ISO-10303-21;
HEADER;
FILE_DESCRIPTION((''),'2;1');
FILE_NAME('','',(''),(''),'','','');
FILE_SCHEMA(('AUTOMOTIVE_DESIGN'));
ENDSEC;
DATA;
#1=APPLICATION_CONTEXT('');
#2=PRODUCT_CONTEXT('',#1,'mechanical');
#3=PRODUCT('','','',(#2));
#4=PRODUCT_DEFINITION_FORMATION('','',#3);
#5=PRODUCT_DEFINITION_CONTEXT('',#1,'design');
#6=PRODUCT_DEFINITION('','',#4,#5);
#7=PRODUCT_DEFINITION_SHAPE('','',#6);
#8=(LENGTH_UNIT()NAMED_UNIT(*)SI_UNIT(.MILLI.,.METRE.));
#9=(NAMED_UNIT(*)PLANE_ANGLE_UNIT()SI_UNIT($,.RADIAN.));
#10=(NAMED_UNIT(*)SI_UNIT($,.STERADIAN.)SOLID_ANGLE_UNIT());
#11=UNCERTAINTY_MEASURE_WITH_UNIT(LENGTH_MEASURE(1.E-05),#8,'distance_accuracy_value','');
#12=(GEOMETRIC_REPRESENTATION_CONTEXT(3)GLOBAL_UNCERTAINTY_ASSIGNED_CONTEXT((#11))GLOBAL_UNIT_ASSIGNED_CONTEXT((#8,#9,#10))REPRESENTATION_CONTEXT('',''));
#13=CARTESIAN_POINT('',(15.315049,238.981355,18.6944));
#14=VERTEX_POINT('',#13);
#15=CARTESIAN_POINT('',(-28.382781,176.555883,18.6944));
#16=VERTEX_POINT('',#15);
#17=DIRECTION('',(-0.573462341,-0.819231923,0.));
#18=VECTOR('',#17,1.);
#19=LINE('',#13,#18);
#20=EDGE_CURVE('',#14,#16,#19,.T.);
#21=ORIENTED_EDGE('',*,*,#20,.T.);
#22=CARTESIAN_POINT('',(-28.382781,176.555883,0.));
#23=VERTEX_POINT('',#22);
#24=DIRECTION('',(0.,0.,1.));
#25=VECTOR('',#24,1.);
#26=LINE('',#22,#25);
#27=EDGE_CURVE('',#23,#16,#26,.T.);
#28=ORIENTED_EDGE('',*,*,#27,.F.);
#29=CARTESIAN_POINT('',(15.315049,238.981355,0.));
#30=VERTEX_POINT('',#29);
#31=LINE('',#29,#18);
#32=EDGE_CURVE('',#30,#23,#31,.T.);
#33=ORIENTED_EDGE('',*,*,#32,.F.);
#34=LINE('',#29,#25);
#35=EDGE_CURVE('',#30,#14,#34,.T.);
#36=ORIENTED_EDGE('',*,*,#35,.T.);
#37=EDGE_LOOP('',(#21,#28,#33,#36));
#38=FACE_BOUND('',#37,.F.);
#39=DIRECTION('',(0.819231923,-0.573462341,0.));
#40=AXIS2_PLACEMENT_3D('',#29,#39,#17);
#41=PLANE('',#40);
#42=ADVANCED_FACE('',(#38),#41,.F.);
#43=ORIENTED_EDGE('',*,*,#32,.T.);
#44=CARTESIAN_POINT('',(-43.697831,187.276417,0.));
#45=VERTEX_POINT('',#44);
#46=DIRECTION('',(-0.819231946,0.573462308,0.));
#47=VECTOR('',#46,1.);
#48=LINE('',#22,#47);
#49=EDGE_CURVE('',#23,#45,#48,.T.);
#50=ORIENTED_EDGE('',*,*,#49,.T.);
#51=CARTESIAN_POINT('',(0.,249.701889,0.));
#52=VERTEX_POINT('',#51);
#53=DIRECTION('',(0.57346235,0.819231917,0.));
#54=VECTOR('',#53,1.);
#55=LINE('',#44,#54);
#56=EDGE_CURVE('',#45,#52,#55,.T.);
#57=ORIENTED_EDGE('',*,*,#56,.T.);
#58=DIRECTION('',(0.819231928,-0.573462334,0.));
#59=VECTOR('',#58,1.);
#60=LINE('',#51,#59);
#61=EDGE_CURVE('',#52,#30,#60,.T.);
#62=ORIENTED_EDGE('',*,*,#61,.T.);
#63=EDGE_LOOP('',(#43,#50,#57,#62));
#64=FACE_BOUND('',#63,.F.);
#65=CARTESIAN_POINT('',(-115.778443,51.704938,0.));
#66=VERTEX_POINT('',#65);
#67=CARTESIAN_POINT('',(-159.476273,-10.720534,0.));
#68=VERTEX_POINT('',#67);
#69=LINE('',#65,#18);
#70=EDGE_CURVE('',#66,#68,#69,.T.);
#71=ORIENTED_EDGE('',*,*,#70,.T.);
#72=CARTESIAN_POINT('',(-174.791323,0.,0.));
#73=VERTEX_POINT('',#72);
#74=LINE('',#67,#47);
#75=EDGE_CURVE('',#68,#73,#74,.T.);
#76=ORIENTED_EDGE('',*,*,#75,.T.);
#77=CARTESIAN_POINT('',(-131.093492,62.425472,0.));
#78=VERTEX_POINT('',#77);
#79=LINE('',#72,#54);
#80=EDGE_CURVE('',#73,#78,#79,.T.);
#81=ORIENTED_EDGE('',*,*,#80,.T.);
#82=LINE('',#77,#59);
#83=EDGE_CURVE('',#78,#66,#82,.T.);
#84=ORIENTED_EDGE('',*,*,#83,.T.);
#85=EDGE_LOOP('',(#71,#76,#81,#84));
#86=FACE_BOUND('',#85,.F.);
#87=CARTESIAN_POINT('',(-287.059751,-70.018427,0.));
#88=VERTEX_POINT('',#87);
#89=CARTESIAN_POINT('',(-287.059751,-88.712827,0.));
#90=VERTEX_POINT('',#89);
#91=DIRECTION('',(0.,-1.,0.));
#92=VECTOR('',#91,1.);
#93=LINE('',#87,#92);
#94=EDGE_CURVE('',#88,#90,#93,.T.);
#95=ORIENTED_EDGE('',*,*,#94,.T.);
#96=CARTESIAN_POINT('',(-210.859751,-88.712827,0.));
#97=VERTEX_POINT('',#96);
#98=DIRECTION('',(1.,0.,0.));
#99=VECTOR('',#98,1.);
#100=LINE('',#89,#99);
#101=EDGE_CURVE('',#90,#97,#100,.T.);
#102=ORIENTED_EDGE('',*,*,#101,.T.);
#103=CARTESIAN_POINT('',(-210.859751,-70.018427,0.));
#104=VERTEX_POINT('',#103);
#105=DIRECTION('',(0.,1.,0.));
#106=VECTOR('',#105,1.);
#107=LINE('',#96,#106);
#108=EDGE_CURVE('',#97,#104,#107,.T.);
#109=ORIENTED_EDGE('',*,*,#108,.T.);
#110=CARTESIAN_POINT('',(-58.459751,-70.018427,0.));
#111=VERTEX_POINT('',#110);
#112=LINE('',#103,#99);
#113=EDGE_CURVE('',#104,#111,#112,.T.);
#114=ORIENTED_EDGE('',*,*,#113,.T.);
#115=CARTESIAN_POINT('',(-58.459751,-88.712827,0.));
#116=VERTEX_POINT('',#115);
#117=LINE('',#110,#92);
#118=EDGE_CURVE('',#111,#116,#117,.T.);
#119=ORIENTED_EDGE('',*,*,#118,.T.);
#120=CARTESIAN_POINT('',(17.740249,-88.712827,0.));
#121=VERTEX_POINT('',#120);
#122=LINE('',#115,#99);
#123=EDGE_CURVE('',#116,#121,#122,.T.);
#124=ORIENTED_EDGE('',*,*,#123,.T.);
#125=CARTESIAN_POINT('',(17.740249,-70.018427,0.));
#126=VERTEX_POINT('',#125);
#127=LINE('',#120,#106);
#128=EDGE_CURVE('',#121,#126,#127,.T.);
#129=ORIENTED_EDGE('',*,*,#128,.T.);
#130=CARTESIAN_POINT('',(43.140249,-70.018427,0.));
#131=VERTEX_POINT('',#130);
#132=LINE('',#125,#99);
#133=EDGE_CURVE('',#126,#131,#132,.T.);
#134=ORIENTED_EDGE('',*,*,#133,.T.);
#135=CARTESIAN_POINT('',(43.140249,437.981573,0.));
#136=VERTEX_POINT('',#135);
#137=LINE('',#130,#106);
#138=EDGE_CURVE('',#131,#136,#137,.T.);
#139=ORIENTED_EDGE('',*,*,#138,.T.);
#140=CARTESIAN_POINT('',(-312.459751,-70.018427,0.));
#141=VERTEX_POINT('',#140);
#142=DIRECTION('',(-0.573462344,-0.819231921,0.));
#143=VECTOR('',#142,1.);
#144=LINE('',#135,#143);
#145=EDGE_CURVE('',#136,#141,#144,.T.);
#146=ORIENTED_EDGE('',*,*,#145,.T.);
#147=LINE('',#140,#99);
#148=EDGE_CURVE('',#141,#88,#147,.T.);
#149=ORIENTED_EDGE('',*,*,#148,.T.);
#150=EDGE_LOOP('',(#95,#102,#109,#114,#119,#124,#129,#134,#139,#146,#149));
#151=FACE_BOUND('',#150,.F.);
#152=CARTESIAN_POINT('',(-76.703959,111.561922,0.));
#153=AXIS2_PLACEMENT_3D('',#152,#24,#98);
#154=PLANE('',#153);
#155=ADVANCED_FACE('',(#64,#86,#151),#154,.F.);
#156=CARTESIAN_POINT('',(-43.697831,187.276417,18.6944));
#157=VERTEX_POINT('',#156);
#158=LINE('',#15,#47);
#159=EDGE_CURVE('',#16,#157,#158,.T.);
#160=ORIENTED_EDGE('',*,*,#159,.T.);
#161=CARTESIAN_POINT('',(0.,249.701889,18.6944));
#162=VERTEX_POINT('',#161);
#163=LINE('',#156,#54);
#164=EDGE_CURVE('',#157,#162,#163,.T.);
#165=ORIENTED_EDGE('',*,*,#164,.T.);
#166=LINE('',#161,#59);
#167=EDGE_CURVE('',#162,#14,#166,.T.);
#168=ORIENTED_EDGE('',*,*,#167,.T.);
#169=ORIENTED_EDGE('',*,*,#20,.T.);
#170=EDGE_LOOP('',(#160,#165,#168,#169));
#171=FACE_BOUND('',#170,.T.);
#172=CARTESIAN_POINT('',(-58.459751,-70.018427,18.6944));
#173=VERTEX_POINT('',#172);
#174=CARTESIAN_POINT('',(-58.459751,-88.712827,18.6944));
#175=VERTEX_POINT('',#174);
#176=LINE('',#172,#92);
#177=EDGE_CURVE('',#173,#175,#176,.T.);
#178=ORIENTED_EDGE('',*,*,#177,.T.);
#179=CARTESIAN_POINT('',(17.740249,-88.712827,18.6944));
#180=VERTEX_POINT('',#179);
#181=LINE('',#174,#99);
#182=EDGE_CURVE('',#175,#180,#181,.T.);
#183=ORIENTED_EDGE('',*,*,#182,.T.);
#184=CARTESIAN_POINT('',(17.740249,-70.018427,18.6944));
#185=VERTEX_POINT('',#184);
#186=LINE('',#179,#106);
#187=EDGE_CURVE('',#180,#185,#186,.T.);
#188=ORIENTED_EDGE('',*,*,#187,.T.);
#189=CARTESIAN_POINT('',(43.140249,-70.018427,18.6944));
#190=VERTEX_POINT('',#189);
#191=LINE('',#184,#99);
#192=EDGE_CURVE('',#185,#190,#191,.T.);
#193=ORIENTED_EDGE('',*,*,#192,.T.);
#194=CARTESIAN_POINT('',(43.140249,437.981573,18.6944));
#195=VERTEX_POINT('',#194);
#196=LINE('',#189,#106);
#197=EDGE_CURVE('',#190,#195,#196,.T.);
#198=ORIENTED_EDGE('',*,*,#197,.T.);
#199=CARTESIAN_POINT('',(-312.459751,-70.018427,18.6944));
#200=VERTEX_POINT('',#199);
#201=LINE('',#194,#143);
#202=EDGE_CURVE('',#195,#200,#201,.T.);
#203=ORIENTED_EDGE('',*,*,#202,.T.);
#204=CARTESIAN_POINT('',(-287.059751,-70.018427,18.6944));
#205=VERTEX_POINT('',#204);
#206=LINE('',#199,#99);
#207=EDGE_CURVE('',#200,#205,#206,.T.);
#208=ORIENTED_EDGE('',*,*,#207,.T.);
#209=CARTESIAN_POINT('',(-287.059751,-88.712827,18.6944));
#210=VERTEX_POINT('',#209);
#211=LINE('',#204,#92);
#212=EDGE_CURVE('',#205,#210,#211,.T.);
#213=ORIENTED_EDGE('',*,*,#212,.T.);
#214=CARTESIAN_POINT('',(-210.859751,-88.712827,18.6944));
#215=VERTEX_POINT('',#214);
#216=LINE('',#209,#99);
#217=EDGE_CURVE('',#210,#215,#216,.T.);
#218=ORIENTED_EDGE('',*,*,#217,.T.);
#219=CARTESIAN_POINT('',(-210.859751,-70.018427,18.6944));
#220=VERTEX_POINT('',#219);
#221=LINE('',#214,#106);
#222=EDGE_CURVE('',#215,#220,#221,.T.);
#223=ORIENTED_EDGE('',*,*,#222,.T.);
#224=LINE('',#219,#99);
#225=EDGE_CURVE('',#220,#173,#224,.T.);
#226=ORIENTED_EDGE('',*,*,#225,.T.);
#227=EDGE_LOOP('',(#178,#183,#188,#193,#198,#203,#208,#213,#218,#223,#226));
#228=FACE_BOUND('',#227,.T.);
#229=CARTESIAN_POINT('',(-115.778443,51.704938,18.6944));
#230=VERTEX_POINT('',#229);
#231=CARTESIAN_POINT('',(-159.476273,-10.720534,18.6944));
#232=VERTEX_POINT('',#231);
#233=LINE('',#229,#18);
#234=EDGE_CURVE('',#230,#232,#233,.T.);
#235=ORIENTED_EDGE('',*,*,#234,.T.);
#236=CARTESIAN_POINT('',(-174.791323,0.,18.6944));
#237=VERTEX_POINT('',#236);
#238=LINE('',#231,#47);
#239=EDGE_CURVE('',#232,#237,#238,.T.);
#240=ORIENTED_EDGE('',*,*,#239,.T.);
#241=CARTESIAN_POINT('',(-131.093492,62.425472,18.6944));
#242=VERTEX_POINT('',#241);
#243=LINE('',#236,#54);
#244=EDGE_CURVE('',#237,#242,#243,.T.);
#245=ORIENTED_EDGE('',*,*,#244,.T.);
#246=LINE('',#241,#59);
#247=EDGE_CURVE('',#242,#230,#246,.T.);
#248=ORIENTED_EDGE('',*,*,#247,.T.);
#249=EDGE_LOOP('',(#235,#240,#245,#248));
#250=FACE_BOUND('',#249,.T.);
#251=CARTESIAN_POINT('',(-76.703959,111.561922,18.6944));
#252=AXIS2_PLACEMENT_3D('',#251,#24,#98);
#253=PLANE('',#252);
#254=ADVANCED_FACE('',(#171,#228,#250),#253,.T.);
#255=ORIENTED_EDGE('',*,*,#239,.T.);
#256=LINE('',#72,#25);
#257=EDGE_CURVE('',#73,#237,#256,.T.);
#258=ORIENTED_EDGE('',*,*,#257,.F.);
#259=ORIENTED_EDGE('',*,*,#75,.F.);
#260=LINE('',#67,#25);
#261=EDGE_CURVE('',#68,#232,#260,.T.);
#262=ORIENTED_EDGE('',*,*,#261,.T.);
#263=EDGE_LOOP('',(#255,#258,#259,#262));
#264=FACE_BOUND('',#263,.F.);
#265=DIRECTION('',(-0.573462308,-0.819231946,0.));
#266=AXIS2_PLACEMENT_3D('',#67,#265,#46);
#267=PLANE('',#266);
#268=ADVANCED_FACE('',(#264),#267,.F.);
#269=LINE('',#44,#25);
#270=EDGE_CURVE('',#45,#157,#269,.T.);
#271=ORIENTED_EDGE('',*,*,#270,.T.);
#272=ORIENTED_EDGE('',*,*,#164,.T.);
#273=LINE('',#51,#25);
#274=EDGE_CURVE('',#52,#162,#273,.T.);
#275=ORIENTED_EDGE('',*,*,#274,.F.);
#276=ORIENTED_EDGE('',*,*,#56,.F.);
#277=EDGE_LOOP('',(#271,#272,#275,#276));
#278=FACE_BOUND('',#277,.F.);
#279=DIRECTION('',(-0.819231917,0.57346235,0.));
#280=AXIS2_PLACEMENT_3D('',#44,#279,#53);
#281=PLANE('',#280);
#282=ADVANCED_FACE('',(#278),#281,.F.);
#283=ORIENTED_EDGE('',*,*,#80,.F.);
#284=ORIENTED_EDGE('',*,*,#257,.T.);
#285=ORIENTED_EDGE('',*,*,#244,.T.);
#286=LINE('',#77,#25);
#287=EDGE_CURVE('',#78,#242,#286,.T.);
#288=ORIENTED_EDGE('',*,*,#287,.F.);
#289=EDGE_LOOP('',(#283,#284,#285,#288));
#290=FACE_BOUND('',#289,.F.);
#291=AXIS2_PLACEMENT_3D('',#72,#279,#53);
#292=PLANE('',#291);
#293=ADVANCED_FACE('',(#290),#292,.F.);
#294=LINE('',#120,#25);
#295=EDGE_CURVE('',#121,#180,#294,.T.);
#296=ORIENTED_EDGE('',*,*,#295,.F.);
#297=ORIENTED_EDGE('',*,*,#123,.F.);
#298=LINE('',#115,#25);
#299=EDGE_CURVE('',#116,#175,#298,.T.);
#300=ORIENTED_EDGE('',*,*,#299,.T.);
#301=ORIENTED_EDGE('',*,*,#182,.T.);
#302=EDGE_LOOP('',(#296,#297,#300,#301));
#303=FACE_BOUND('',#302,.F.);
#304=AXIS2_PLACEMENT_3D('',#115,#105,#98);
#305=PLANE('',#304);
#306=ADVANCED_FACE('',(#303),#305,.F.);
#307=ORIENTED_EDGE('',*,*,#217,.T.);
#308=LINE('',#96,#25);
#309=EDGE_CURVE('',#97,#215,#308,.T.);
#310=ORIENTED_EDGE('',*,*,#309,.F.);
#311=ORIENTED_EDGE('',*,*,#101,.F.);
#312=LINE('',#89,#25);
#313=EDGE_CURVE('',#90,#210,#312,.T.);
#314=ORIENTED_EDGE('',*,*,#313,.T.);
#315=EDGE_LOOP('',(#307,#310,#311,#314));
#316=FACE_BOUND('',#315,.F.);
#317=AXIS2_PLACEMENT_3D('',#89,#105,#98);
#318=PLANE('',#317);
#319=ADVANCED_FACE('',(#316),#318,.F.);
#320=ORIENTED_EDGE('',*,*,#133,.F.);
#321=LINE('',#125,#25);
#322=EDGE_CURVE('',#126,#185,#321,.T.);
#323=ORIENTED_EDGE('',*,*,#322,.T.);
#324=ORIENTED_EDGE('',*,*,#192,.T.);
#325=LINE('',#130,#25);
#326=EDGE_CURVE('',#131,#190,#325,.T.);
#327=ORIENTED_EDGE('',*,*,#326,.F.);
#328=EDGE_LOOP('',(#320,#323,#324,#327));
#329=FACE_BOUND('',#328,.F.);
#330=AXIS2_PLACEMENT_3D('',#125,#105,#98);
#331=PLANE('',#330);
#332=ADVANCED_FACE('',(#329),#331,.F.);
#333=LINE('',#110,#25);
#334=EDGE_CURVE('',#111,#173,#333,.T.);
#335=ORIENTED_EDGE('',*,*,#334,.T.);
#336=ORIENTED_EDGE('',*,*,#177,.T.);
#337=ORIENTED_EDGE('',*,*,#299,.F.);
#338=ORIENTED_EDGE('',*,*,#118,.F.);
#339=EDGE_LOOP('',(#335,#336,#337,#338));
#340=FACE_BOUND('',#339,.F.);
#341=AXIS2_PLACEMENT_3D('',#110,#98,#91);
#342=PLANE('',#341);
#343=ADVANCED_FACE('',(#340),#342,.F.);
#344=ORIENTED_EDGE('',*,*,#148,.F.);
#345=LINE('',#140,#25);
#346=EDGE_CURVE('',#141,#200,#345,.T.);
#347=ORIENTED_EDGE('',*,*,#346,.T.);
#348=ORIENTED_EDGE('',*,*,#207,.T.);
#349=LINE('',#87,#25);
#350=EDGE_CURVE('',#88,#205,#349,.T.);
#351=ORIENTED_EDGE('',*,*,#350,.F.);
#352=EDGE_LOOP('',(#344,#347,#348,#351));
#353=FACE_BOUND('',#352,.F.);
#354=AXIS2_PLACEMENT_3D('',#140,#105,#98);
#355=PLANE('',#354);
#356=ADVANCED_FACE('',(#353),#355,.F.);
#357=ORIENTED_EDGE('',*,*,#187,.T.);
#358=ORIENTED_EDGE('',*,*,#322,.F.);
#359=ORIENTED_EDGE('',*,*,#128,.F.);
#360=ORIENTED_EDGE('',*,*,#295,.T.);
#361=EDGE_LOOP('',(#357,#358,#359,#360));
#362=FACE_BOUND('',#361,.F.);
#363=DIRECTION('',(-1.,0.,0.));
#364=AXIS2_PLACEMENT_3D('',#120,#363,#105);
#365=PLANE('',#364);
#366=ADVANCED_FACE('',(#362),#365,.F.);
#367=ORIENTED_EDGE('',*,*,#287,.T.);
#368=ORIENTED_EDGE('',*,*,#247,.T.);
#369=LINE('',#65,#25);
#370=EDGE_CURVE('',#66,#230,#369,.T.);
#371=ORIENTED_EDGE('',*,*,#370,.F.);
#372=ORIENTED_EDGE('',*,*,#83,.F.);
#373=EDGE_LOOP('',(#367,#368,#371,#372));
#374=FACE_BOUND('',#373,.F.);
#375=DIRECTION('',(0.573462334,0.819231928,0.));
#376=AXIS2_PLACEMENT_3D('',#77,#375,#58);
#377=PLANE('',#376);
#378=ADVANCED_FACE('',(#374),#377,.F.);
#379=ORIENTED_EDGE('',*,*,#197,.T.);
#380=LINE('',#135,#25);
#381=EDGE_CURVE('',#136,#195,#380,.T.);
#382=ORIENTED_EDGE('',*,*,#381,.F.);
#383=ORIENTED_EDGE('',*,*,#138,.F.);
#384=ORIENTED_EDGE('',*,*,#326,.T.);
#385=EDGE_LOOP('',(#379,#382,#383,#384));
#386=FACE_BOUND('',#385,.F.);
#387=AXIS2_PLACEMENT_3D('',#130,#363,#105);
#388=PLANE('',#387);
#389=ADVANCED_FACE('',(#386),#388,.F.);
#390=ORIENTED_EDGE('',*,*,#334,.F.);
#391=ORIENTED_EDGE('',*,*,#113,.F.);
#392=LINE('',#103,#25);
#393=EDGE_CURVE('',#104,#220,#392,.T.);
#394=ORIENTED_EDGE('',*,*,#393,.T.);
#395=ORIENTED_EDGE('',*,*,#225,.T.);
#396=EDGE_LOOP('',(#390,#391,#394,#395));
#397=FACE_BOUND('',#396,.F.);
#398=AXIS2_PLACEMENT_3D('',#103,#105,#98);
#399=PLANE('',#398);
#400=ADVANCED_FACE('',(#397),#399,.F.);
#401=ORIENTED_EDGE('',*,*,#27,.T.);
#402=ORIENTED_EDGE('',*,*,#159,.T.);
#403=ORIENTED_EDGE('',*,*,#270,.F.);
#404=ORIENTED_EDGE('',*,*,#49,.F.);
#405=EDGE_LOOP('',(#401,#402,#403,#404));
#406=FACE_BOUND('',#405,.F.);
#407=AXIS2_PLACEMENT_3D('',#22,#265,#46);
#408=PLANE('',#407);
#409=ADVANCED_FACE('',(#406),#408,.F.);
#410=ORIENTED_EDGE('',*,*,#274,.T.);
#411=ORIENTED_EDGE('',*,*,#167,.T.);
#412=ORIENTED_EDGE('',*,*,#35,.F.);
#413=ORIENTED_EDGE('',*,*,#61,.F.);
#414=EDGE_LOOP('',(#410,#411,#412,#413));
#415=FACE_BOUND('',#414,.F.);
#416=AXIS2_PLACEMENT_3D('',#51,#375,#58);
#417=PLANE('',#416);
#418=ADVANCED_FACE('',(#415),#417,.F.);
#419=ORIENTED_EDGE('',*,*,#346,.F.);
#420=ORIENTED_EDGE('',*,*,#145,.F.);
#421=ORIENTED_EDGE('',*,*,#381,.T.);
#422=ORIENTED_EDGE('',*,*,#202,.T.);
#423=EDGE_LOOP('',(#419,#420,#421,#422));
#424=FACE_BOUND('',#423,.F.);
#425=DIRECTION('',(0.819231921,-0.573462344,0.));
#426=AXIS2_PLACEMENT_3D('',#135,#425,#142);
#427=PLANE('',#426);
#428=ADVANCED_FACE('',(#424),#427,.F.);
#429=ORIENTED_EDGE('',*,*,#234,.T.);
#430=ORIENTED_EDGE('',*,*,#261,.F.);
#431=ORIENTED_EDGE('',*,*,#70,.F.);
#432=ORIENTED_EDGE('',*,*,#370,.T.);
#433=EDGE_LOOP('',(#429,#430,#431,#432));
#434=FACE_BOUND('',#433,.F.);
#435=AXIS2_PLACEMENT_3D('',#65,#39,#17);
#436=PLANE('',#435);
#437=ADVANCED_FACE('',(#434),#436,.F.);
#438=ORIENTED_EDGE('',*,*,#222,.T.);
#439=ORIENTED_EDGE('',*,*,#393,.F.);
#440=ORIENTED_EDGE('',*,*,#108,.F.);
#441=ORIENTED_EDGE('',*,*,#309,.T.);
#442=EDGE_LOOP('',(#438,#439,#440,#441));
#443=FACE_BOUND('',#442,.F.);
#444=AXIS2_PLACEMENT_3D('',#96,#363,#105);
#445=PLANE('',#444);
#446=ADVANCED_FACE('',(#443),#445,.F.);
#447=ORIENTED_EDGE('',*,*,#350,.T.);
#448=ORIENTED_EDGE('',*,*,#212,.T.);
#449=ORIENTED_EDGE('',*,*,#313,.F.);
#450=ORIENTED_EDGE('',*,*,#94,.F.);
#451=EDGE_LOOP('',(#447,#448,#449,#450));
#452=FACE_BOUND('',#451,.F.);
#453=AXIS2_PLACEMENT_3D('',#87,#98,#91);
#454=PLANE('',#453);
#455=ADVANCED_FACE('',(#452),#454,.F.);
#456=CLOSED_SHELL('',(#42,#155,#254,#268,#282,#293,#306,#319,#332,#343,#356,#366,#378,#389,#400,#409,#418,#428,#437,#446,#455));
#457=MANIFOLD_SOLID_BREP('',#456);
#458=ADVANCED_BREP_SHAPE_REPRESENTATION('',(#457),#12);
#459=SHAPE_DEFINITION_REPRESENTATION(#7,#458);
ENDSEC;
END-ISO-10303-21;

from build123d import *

# Parameters (mm, degrees)
F1_DEPTH = 18.6944


with BuildPart() as f1:
    # F0 (on Top) → F1 (new body)
    with BuildSketch(Plane.XY):
        Polygon((43.140249, 437.981573), (-312.459751, -70.018427), (-287.059751, -70.018427), (-287.059751, -88.712827), (-210.859751, -88.712827), (-210.859751, -70.018427), (-58.459751, -70.018427), (-58.459751, -88.712827), (17.740249, -88.712827), (17.740249, -70.018427), (43.140249, -70.018427), align=None)
        Polygon((-159.476273, -10.720534), (-174.791323, 0), (-131.093492, 62.425472), (-115.778443, 51.704938), align=None, mode=Mode.SUBTRACT)
        Polygon((0, 249.701889), (15.315049, 238.981355), (-28.382781, 176.555883), (-43.697831, 187.276417), align=None, mode=Mode.SUBTRACT)
    extrude(amount=F1_DEPTH)


solid = f1.part
